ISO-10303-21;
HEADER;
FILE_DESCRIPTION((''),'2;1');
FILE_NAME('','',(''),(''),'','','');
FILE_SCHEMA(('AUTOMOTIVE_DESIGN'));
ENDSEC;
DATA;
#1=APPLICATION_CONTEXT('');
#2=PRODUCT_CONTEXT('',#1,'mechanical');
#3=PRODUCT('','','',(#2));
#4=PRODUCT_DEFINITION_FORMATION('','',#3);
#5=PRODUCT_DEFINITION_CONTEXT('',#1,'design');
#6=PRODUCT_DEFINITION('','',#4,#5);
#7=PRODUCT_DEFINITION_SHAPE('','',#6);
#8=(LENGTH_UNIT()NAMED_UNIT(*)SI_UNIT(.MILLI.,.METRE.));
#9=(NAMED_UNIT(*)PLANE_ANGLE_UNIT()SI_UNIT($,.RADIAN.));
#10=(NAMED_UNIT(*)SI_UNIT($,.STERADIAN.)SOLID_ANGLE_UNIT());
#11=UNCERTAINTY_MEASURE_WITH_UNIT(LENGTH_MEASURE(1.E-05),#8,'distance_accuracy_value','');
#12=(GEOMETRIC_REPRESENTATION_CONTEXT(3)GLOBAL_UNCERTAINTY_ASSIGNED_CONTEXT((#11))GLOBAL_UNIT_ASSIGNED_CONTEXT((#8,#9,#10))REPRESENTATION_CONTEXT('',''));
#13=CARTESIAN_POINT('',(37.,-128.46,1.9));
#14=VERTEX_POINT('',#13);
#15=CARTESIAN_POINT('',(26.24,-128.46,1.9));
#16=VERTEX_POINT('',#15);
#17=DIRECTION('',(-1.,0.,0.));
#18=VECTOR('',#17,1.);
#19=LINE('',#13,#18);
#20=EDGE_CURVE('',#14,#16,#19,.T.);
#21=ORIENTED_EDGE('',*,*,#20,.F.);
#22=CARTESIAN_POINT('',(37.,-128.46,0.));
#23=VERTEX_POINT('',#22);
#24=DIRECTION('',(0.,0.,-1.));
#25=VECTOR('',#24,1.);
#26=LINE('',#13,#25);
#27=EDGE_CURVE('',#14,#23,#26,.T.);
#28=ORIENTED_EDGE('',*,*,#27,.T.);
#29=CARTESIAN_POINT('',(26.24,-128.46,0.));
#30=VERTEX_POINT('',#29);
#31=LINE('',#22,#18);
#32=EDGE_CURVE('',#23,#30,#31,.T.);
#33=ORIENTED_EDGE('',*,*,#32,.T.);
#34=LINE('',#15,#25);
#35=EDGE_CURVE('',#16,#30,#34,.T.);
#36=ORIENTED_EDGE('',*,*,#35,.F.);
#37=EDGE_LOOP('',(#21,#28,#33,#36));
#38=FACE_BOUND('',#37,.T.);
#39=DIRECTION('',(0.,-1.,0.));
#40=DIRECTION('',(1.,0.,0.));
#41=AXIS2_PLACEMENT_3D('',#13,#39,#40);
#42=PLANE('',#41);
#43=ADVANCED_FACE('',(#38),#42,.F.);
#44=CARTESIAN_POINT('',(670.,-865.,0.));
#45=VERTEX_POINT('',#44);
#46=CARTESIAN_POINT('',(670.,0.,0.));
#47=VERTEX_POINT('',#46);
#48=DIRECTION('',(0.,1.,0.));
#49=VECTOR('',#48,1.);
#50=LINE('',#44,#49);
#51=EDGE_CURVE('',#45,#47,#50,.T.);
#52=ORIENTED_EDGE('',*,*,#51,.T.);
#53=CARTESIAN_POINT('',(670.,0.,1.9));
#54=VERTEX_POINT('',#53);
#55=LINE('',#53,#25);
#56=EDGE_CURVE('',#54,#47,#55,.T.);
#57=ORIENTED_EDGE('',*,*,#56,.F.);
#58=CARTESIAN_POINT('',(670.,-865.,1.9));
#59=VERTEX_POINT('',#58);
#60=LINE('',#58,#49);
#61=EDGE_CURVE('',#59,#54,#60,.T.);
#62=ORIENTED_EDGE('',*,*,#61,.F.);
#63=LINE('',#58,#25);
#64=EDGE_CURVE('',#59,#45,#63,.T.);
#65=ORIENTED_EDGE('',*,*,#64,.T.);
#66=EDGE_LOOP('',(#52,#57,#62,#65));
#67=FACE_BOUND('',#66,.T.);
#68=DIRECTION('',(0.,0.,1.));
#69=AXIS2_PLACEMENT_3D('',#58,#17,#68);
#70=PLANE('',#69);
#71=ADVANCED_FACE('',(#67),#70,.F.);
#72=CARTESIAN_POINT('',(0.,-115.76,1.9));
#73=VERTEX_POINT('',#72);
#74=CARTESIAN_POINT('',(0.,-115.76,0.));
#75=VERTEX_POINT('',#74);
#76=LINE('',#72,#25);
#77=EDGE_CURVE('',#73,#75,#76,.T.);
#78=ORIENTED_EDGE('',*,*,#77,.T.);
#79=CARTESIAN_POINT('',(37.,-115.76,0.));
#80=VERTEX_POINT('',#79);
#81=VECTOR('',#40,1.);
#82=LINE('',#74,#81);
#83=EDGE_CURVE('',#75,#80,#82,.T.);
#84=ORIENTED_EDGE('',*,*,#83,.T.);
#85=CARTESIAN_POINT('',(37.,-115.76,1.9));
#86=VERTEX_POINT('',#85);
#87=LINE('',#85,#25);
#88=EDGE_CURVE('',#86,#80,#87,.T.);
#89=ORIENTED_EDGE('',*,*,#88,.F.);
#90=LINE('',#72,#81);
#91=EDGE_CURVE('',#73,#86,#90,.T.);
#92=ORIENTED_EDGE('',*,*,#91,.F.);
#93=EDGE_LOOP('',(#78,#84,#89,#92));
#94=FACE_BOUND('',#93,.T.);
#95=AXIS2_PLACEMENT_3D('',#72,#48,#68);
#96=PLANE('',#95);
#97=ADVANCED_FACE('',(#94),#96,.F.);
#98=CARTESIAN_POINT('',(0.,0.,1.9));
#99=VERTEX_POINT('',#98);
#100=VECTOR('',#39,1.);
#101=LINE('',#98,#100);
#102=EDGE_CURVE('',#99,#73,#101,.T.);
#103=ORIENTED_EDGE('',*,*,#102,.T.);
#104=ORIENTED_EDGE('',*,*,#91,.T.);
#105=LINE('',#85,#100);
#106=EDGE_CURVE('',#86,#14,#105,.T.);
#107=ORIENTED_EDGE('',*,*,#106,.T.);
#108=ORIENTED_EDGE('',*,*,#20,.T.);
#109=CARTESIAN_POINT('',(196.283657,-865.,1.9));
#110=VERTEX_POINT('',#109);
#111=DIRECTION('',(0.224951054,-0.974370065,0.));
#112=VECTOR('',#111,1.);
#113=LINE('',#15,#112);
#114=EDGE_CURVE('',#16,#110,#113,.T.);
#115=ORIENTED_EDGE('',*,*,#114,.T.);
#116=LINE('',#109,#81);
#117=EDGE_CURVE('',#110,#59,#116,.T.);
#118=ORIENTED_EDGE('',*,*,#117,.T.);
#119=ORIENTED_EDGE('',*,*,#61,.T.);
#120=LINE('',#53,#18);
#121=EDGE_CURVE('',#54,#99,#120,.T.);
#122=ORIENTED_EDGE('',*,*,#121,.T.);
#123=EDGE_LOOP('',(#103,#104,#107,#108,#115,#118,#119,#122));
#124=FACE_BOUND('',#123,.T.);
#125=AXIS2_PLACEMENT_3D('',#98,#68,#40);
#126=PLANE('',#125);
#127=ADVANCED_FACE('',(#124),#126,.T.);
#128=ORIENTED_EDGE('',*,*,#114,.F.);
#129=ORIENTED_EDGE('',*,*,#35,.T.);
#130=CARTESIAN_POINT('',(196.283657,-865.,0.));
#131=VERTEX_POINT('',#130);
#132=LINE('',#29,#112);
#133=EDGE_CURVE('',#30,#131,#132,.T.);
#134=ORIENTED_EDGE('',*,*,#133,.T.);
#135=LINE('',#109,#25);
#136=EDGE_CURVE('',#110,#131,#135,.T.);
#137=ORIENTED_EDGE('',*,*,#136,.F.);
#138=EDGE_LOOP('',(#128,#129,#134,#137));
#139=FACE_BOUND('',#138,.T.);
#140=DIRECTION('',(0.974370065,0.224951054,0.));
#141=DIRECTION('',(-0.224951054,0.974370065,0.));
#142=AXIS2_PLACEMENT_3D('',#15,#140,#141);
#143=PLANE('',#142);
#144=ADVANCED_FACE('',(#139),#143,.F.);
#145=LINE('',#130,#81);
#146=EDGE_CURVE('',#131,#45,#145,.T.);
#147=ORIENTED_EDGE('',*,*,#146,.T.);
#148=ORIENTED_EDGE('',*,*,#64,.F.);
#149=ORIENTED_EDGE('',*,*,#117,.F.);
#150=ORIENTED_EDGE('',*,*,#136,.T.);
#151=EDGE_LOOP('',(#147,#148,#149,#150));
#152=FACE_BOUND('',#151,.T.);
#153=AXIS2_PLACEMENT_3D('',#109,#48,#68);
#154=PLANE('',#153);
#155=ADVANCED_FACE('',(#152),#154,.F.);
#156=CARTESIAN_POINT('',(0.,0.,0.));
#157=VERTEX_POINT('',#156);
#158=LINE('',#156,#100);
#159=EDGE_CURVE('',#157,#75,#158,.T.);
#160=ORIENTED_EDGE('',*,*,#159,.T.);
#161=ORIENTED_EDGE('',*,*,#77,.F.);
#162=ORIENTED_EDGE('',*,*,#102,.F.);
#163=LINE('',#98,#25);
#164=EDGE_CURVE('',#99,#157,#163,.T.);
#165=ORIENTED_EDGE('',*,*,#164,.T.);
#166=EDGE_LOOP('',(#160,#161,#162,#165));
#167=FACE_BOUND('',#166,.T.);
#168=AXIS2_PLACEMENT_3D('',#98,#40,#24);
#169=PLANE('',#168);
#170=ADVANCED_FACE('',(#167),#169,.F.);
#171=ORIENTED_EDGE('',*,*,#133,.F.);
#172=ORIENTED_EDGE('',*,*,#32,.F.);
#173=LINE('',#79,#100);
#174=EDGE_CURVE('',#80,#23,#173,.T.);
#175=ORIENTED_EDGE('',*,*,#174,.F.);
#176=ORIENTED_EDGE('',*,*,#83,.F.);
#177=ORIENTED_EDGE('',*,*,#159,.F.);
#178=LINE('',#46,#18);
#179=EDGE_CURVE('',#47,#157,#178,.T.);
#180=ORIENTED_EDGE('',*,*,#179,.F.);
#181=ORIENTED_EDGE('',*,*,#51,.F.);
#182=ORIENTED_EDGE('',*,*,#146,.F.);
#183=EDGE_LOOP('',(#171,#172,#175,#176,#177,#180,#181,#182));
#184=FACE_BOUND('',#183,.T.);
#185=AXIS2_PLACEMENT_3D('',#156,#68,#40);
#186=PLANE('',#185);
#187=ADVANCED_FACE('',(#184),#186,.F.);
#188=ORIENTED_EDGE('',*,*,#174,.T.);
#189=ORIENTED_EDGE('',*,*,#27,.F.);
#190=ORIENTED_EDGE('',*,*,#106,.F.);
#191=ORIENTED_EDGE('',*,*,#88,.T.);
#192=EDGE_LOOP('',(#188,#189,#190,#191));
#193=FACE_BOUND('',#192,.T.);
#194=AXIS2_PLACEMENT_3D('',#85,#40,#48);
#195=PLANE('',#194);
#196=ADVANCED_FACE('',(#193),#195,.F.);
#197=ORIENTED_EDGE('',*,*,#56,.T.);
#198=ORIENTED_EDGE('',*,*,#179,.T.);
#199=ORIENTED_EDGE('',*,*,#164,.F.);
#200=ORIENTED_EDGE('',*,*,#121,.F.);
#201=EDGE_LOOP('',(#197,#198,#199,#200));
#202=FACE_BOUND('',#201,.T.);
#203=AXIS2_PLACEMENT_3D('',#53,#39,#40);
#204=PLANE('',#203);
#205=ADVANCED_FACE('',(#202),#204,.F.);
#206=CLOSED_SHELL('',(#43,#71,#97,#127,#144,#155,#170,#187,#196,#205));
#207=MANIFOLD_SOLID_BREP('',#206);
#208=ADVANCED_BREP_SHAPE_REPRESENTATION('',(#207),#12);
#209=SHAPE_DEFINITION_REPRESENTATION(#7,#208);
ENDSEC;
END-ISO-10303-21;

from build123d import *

# Parameters (mm, degrees)
SALIENTE_EXTRUIR1_DEPTH = 1.9


with BuildPart() as part:
    # Croquis1 → Saliente-Extruir1 (new body)
    with BuildSketch(Plane.XY):
        Polygon((0, 0), (0, -115.76), (37, -115.76), (37, -128.46), (26.24, -128.46), (196.283657492, -865), (670, -865), (670, 0), align=None)
    extrude(amount=SALIENTE_EXTRUIR1_DEPTH)


solid = part.part
